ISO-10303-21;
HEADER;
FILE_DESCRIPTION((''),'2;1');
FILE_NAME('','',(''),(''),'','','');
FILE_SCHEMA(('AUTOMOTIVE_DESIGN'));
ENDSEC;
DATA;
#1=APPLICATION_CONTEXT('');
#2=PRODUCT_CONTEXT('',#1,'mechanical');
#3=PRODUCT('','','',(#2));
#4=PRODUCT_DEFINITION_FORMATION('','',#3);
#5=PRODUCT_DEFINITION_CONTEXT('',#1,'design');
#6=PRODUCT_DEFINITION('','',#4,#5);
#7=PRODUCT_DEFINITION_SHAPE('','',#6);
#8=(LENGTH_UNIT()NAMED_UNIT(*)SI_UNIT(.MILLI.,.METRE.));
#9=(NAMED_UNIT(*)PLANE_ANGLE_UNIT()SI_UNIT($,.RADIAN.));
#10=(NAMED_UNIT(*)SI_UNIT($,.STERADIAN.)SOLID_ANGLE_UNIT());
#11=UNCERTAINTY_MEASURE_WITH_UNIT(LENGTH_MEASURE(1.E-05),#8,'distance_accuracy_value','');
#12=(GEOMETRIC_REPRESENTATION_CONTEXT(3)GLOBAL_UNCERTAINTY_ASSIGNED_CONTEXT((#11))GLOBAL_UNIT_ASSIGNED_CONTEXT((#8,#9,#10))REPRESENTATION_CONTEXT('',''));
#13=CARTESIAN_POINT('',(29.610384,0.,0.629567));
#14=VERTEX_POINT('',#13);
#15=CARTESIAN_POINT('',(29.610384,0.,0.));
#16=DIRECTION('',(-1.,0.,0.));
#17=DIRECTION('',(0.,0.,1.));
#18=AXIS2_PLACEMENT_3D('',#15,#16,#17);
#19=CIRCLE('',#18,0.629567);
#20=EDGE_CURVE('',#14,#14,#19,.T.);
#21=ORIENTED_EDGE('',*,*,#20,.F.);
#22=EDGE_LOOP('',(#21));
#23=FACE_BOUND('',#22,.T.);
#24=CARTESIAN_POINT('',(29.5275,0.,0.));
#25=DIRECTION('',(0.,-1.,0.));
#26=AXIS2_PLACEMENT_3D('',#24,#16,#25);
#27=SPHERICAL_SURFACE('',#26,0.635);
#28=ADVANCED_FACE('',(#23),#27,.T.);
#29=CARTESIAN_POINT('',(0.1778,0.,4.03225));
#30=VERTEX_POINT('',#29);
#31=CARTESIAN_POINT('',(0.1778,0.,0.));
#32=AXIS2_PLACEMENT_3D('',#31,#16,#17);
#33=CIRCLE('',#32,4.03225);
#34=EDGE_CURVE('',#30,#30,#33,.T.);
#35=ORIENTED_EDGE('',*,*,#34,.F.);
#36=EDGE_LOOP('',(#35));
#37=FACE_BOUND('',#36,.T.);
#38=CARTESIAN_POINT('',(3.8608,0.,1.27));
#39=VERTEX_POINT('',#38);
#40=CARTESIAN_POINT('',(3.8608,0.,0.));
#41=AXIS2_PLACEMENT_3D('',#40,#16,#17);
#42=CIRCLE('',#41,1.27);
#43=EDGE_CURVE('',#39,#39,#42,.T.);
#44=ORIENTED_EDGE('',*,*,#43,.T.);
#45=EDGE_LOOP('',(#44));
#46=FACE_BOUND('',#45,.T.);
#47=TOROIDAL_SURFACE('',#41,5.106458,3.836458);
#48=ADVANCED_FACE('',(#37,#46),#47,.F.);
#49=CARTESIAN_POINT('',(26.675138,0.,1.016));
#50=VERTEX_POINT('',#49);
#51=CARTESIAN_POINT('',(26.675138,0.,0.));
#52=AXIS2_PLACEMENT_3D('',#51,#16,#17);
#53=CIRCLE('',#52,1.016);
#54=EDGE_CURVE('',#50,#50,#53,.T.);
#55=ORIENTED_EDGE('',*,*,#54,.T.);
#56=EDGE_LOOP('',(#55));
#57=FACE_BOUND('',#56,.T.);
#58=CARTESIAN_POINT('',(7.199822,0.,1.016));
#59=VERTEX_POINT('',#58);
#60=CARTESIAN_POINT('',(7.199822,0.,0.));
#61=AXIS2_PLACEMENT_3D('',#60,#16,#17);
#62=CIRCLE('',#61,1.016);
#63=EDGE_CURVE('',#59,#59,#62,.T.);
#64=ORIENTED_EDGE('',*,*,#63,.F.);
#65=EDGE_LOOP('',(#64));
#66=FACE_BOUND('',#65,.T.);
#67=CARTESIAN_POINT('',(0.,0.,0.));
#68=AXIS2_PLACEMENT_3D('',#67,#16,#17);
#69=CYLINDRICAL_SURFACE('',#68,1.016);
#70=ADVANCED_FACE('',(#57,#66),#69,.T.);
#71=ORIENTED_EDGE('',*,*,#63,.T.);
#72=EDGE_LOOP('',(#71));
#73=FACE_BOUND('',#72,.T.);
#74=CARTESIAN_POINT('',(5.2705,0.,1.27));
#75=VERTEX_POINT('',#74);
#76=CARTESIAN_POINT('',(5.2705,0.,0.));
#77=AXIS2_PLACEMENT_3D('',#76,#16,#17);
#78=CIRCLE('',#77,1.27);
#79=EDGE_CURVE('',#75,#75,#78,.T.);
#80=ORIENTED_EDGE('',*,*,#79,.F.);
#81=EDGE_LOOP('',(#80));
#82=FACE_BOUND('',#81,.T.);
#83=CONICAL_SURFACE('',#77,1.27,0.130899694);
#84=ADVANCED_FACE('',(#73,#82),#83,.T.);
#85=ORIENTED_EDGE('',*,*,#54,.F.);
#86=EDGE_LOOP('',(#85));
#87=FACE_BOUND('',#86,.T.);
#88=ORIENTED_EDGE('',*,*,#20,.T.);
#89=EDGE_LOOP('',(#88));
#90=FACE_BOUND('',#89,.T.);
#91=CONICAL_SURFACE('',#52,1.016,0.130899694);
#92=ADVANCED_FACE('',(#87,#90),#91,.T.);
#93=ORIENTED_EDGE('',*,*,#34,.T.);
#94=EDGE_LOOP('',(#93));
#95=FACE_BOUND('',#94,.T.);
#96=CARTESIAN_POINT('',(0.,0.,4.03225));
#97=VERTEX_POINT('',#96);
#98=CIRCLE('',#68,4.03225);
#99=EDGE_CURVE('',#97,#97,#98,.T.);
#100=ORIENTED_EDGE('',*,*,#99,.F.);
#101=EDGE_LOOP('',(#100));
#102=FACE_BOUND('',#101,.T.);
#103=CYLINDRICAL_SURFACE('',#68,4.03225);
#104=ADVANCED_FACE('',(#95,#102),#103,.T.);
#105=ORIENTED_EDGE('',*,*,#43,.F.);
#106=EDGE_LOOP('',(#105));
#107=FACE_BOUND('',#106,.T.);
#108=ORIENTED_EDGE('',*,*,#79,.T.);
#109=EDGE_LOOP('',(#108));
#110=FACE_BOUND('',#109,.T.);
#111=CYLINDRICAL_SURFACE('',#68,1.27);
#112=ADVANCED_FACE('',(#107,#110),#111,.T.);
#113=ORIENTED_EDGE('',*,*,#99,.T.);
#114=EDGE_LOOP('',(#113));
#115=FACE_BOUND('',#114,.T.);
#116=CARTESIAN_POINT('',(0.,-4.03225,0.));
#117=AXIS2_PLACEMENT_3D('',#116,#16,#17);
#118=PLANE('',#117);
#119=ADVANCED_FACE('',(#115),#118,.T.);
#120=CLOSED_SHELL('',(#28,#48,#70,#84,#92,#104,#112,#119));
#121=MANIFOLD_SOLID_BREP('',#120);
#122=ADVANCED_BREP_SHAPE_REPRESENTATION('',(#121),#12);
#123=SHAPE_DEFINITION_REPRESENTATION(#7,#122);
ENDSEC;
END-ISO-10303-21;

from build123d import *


with BuildPart() as part:
    # Sketch1 → Revolve1 (revolve)
    with BuildSketch(Plane.XY, mode=Mode.PRIVATE) as revolve1_sk:
        with BuildLine():
            Line((0, -4.03225), (0, 0))
            Line((0, 0), (30.1625, 0))
            ThreePointArc((30.1625, 0), (30.004918278, -0.418684593), (29.610384132, -0.629567487))
            Line((29.610384132, -0.629567487), (26.675137782, -1.016))
            Line((26.675137782, -1.016), (7.199821545, -1.016))
            Line((7.199821545, -1.016), (5.2705, -1.27))
            Line((5.2705, -1.27), (3.8608, -1.27))
            ThreePointArc((3.8608, -1.27), (1.558925, -2.037291667), (0.1778, -4.03225))
            Line((0.1778, -4.03225), (0, -4.03225))
        make_face()
    revolve(revolve1_sk.sketch.rotate(Axis((0, 0, 0), (1, 0, 0)), 270), axis=Axis((0, 0, 0), (1, 0, 0)))


solid = part.part
